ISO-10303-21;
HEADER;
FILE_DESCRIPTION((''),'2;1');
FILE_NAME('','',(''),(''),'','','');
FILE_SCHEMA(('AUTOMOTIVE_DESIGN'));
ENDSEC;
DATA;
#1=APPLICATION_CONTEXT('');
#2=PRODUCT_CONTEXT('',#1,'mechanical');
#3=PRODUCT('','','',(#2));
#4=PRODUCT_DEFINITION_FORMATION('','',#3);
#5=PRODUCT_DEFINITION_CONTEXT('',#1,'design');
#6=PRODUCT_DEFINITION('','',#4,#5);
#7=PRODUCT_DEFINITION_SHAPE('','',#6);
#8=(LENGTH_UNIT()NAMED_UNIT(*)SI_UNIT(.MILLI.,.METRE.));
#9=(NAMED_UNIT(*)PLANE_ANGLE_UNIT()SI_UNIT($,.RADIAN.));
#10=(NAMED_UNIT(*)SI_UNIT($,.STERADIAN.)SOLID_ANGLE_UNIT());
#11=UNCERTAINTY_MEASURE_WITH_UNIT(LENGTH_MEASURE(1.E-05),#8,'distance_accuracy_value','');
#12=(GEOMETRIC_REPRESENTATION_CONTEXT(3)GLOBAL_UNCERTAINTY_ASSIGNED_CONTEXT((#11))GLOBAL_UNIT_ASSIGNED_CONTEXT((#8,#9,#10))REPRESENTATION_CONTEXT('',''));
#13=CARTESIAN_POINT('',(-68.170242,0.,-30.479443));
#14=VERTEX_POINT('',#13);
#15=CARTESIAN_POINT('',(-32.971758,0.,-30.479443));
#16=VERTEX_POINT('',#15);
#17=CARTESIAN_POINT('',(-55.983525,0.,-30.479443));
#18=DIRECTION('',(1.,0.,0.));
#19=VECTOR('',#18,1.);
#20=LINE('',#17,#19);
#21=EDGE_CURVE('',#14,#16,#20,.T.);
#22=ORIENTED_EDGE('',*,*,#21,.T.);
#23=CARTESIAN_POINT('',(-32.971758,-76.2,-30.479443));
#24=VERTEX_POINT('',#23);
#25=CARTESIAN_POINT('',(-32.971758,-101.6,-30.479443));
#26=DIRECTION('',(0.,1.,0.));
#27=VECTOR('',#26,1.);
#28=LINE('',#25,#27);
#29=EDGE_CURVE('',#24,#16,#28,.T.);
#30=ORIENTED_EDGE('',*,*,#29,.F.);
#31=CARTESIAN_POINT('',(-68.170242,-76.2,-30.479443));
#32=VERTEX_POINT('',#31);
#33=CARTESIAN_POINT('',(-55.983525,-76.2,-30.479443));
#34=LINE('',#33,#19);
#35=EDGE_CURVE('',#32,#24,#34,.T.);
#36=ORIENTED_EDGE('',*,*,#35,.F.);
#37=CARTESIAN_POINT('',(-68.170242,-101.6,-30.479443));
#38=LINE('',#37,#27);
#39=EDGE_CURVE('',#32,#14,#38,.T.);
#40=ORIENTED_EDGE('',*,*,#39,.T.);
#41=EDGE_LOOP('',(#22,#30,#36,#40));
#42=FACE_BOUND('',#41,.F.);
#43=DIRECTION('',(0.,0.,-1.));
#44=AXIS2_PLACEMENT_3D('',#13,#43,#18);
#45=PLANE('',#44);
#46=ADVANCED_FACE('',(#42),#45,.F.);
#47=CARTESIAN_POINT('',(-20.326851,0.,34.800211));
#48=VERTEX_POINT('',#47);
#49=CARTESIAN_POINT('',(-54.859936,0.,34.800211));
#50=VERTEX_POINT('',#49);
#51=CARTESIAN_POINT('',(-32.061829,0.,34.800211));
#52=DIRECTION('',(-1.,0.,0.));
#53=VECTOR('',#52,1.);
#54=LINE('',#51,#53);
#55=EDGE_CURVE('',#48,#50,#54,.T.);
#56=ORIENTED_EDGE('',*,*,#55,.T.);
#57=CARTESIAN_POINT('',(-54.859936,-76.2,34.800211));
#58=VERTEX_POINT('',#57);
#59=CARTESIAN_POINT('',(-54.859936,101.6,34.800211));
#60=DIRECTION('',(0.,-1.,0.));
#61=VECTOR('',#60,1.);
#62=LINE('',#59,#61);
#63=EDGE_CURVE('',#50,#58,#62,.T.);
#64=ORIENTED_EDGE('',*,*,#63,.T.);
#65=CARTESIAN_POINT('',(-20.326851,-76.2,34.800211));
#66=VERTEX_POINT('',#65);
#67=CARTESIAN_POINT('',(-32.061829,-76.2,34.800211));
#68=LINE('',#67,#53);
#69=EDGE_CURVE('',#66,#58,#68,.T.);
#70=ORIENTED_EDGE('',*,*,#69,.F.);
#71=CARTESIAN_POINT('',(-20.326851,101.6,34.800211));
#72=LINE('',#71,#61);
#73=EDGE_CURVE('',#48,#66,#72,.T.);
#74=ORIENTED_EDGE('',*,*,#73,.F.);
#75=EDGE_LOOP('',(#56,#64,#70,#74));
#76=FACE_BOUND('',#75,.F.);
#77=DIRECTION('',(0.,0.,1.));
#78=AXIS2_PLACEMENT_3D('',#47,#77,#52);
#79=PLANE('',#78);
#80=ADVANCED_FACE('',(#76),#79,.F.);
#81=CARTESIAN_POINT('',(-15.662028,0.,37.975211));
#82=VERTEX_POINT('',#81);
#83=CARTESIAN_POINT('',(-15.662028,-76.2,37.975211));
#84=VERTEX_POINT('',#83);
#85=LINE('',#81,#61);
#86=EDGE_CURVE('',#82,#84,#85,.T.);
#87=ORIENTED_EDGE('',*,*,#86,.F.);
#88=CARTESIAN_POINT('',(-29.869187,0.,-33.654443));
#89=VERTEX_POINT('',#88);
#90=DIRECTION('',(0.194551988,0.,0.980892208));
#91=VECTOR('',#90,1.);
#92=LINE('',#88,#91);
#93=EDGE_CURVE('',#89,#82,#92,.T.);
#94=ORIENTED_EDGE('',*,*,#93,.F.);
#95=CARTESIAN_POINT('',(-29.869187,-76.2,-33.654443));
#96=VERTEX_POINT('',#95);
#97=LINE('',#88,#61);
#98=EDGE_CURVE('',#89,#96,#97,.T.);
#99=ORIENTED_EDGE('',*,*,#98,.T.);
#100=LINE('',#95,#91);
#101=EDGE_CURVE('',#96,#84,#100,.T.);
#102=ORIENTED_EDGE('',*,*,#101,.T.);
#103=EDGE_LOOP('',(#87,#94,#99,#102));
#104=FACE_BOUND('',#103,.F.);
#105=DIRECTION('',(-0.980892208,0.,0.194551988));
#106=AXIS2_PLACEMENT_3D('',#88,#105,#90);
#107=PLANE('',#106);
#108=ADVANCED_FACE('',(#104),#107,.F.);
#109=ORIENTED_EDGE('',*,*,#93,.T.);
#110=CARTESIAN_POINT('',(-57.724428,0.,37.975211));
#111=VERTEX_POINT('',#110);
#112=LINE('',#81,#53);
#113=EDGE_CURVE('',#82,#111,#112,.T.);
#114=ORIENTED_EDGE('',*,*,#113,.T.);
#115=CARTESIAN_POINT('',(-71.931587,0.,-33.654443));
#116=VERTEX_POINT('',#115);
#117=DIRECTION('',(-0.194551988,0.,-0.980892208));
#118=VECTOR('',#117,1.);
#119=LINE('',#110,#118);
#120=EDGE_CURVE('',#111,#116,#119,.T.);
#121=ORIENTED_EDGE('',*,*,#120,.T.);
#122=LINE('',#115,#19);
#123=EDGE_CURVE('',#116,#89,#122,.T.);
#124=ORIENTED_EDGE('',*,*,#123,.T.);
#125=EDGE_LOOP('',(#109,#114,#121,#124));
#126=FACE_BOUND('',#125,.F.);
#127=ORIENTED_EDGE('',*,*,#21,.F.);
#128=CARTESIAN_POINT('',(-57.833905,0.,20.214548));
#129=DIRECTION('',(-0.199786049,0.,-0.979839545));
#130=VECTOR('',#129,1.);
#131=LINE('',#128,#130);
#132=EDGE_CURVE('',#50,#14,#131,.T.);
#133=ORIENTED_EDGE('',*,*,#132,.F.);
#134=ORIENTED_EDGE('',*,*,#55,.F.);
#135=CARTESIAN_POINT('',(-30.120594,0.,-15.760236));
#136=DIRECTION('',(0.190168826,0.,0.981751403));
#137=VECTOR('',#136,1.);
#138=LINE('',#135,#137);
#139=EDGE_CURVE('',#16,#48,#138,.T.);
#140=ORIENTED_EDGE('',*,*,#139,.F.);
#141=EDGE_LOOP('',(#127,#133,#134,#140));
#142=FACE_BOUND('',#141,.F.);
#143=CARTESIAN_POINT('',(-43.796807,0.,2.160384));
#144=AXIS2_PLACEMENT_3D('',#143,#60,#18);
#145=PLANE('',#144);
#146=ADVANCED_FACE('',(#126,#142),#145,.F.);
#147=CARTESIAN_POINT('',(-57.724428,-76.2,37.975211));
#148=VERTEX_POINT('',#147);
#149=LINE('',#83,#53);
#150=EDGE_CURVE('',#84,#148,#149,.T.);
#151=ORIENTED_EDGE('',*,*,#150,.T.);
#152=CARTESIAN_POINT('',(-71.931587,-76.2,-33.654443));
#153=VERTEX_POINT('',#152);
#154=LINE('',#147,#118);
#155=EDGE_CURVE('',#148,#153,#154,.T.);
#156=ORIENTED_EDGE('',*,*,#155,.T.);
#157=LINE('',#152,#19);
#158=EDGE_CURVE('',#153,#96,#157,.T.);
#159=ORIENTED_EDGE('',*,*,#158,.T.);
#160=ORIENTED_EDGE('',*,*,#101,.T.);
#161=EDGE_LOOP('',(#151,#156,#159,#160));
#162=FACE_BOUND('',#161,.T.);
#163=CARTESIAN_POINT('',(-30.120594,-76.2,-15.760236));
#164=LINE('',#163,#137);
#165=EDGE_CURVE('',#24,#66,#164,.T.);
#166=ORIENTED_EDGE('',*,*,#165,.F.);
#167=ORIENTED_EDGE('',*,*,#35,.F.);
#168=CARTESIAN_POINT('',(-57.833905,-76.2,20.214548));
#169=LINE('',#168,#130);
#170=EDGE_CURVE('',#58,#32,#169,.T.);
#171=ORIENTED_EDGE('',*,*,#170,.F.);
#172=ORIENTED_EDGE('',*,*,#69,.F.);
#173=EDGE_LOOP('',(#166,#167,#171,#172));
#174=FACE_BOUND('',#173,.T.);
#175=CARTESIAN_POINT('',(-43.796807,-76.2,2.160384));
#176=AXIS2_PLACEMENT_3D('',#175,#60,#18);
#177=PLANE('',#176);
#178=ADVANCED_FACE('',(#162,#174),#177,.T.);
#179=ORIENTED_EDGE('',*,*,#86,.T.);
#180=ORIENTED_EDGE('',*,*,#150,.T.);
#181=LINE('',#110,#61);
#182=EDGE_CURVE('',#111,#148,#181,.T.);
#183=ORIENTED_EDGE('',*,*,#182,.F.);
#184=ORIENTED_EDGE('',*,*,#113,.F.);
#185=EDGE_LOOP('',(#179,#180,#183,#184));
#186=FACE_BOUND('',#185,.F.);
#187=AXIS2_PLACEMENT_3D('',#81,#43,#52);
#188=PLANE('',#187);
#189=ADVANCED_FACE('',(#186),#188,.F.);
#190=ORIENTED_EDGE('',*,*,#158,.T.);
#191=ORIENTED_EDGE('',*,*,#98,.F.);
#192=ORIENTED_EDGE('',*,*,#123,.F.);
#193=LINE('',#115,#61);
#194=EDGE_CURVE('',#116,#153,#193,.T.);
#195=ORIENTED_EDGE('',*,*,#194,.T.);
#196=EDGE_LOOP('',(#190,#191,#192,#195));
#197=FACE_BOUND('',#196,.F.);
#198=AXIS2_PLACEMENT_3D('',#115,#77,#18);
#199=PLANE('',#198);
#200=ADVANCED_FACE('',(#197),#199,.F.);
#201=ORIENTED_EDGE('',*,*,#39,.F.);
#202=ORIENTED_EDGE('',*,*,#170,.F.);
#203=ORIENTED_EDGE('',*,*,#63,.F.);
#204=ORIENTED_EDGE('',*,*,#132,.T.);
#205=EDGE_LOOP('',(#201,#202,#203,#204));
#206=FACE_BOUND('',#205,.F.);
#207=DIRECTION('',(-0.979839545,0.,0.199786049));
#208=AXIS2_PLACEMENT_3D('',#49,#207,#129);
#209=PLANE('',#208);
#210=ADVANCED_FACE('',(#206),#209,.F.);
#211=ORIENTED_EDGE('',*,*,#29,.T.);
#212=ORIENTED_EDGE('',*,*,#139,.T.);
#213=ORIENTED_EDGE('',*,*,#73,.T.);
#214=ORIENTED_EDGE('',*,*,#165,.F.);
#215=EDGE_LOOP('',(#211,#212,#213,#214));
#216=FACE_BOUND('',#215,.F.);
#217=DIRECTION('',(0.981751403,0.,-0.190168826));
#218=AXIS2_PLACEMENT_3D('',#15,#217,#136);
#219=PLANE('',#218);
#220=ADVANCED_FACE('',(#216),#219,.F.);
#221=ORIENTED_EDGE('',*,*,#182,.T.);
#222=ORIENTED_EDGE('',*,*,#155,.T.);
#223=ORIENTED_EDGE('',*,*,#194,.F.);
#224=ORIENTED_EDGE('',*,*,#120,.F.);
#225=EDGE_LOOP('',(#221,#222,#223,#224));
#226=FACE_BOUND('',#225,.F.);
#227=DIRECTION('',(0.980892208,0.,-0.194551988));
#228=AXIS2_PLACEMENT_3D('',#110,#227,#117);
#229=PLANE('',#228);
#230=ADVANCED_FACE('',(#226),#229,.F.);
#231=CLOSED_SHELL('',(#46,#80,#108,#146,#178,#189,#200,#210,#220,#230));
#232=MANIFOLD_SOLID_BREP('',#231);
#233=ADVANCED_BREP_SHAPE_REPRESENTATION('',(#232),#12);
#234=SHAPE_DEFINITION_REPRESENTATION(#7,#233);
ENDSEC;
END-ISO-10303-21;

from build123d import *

# Parameters (mm, degrees)
F1_DEPTH = 76.2
F3_DEPTH = 101.6


with BuildPart() as f1:
    # F0 (on Front) → F1 (new body)
    with BuildSketch(Plane.XZ):
        Polygon((-15.662028, 37.975211), (-57.724428, 37.975211), (-71.931587, -33.654443), (-29.869187, -33.654443), align=None)
    extrude(amount=F1_DEPTH)

    # F2 (on Front) → F3 (cut, symmetric)
    with BuildSketch(Plane.XZ):
        Polygon((-32.971758, -30.479443), (-20.326851, 34.800211), (-54.859936, 34.800211), (-68.170242, -30.479443), align=None)
    extrude(amount=F3_DEPTH, both=True, mode=Mode.SUBTRACT)


solid = f1.part
